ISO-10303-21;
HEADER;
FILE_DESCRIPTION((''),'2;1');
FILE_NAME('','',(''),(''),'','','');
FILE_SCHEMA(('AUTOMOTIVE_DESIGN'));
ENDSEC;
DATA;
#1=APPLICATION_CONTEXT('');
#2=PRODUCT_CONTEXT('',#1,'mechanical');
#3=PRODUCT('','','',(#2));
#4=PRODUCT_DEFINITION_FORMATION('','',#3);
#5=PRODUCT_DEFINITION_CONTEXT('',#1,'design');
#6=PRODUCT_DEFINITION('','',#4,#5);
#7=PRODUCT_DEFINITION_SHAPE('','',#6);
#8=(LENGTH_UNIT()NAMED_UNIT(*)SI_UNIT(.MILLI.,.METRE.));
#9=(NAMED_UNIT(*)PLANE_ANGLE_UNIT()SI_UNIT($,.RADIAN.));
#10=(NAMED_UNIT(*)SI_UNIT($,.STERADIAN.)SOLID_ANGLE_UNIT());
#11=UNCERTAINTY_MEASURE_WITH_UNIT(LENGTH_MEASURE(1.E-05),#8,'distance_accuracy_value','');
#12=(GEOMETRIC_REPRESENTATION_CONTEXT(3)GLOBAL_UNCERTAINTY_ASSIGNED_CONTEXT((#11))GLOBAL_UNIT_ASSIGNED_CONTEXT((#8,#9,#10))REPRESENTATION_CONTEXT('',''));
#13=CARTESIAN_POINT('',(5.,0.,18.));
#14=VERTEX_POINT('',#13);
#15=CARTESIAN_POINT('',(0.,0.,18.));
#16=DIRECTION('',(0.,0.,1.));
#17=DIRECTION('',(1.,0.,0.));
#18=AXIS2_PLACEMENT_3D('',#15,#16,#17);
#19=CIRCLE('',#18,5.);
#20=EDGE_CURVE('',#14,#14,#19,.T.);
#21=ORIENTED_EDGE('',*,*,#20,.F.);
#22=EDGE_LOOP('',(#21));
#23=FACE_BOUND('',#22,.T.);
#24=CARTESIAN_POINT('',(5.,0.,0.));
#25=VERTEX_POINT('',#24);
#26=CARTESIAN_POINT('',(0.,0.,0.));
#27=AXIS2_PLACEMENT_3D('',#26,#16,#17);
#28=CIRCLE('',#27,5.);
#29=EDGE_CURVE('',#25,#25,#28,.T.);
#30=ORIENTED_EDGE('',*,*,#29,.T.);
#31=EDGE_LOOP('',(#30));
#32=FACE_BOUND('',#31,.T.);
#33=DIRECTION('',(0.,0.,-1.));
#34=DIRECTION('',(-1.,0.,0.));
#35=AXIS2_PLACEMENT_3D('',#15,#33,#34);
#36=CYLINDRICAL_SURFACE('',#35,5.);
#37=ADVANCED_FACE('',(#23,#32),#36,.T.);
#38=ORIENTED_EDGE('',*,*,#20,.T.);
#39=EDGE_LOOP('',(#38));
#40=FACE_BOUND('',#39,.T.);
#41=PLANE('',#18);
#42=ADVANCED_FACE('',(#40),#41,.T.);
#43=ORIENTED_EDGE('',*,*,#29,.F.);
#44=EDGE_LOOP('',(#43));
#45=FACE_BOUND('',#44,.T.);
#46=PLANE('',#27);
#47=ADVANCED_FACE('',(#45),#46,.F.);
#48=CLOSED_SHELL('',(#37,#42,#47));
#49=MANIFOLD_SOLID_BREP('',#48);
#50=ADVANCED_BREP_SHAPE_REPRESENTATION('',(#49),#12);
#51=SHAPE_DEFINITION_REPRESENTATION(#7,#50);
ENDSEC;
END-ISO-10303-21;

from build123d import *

# Parameters (mm, degrees)
CROQUIS1_R              = 5
SALIENTE_EXTRUIR1_DEPTH = 18


with BuildPart() as part:
    # Croquis1 → Saliente-Extruir1 (new body)
    with BuildSketch(Plane.XY):
        Circle(CROQUIS1_R)
    extrude(amount=SALIENTE_EXTRUIR1_DEPTH)


solid = part.part
